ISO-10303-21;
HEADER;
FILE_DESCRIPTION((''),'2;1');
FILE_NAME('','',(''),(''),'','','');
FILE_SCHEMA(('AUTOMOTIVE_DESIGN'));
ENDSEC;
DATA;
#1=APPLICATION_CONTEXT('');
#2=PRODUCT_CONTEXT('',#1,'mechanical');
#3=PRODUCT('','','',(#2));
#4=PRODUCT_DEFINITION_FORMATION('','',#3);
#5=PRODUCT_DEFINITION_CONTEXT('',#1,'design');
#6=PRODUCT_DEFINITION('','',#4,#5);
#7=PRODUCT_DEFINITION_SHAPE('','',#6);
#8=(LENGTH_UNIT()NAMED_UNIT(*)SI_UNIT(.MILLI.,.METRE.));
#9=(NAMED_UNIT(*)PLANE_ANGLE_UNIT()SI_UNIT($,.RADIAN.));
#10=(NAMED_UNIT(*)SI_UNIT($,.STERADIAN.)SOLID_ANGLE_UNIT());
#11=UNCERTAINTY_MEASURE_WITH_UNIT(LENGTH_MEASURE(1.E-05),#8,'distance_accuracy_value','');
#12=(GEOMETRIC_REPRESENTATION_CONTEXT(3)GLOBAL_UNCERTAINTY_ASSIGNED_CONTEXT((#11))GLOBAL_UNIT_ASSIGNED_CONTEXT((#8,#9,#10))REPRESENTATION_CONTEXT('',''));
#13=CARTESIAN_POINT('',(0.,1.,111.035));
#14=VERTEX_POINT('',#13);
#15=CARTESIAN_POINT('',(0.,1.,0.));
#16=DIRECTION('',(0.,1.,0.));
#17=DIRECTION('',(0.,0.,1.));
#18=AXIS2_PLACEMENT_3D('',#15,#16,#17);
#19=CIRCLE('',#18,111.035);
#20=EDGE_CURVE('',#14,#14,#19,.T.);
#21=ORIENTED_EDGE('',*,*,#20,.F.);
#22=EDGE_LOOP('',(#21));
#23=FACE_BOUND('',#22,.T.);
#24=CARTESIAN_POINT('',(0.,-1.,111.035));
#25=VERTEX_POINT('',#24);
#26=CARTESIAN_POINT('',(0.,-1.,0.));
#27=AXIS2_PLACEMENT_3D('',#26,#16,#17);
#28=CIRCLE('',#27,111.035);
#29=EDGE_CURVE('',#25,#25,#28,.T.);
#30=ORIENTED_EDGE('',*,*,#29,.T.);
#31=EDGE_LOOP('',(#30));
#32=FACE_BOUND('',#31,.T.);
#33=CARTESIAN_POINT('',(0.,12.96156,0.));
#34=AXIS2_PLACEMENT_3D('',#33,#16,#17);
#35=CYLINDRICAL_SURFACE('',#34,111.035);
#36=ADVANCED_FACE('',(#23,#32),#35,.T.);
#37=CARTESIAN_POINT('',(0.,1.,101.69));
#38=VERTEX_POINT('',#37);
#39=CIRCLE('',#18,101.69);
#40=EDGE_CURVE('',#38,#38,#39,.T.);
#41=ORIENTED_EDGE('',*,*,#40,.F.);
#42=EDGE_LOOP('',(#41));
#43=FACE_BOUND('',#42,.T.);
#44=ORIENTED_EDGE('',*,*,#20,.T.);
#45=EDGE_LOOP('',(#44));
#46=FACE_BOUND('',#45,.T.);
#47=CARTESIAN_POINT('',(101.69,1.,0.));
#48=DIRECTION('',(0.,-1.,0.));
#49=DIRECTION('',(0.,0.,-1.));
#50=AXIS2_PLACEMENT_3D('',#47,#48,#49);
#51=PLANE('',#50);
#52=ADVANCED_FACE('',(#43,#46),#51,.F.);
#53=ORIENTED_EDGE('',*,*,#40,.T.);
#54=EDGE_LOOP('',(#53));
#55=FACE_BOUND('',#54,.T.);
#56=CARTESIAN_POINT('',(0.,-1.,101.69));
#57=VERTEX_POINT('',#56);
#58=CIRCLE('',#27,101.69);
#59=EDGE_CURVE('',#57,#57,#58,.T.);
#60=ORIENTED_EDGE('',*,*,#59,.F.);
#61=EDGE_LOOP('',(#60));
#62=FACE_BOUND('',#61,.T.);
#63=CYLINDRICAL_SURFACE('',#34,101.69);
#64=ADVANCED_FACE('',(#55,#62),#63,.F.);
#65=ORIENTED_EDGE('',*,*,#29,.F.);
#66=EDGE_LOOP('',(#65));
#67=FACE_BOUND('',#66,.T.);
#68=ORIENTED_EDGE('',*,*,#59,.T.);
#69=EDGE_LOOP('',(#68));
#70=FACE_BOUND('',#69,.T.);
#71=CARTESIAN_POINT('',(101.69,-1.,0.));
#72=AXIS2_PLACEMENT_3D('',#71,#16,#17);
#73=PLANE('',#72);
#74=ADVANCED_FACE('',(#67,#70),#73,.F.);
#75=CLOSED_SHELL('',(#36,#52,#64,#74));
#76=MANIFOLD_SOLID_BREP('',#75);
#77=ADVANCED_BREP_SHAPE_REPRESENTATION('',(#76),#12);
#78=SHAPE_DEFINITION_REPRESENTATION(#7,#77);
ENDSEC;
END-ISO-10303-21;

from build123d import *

# Parameters (mm, degrees)
SKETCH_1_W = 9.345
SKETCH_1_H = 2


with BuildPart() as part:
    # Эскиз1 → Повернуть1 (revolve)
    with BuildSketch(Plane.XY):
        with Locations((106.3625, 0)):
            Rectangle(SKETCH_1_W, SKETCH_1_H)
    revolve(axis=Axis((0, 12.961559514, 0), (0, -1, 0)))


solid = part.part
